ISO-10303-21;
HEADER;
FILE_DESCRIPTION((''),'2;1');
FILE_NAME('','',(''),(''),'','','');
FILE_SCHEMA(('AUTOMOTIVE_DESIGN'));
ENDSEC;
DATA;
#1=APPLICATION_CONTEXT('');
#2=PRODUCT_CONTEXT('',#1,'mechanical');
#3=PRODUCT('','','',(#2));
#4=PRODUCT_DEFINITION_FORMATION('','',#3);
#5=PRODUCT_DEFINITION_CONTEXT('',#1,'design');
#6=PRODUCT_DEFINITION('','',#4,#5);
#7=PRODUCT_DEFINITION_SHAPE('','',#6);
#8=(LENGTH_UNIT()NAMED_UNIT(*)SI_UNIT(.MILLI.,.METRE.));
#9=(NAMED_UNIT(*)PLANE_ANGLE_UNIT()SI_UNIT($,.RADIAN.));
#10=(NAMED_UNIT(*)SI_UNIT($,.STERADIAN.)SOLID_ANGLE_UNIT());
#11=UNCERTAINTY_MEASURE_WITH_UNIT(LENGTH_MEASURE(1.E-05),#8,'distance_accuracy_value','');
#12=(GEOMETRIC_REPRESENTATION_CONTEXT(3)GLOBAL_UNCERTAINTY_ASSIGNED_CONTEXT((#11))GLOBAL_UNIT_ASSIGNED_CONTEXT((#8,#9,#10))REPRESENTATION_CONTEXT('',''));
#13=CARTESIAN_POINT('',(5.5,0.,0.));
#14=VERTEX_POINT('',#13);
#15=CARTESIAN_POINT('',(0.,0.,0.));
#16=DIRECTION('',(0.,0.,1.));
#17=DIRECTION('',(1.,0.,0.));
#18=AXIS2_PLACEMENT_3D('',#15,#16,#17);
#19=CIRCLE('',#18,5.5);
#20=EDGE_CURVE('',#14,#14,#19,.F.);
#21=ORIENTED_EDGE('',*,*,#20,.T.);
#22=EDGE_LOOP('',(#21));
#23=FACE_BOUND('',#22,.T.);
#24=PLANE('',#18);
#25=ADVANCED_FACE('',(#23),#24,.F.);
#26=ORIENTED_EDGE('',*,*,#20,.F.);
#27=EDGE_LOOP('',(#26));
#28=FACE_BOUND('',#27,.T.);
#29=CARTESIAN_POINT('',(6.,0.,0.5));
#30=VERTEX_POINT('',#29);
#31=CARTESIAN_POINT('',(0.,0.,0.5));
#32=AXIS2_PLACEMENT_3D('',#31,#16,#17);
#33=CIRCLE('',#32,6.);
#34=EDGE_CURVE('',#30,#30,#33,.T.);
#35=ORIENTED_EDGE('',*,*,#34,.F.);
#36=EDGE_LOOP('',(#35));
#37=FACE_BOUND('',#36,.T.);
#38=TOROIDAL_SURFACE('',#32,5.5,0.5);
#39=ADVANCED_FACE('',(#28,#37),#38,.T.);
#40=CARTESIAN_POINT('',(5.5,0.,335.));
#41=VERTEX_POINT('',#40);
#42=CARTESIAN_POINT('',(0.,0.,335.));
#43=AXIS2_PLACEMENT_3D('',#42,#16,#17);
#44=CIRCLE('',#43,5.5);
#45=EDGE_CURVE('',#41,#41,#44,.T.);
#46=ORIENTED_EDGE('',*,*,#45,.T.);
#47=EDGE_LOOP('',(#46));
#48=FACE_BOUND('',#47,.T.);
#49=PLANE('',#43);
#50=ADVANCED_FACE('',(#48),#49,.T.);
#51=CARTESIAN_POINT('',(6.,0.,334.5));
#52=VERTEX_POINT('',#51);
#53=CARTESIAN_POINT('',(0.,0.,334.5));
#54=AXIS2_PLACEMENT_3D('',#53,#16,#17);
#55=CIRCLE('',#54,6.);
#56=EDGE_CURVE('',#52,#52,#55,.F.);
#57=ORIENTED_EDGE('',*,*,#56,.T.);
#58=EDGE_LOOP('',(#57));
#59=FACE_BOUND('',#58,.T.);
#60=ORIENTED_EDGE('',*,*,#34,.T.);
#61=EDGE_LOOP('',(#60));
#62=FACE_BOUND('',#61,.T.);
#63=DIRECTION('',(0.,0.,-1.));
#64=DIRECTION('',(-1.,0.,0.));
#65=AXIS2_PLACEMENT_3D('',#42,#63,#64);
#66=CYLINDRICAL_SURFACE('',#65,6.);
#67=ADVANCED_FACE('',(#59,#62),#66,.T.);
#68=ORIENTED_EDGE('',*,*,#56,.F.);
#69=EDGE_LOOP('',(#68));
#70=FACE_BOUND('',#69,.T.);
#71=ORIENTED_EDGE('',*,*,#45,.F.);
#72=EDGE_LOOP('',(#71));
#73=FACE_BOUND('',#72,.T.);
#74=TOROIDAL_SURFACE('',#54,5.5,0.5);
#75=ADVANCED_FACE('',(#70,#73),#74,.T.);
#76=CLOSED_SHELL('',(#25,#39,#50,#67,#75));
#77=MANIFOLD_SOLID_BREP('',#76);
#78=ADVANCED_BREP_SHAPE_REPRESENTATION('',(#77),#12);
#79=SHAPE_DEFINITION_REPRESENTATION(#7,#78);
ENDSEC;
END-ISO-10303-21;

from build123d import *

# Parameters (mm, degrees)
CROQUIS1_R              = 6
SALIENTE_EXTRUIR1_DEPTH = 335
REDONDEO1_R             = 0.5


with BuildPart() as part:
    # Croquis1 → Saliente-Extruir1 (new body)
    with BuildSketch(Plane.XY):
        Circle(CROQUIS1_R)
    extrude(amount=SALIENTE_EXTRUIR1_DEPTH)

    # Redondeo1
    redondeo1_edges = [part.edges().sort_by_distance(p)[0] for p in [
        (-6, 0, 0),
        (-6, 0, 335),
    ]]
    fillet(redondeo1_edges, radius=REDONDEO1_R)


solid = part.part
